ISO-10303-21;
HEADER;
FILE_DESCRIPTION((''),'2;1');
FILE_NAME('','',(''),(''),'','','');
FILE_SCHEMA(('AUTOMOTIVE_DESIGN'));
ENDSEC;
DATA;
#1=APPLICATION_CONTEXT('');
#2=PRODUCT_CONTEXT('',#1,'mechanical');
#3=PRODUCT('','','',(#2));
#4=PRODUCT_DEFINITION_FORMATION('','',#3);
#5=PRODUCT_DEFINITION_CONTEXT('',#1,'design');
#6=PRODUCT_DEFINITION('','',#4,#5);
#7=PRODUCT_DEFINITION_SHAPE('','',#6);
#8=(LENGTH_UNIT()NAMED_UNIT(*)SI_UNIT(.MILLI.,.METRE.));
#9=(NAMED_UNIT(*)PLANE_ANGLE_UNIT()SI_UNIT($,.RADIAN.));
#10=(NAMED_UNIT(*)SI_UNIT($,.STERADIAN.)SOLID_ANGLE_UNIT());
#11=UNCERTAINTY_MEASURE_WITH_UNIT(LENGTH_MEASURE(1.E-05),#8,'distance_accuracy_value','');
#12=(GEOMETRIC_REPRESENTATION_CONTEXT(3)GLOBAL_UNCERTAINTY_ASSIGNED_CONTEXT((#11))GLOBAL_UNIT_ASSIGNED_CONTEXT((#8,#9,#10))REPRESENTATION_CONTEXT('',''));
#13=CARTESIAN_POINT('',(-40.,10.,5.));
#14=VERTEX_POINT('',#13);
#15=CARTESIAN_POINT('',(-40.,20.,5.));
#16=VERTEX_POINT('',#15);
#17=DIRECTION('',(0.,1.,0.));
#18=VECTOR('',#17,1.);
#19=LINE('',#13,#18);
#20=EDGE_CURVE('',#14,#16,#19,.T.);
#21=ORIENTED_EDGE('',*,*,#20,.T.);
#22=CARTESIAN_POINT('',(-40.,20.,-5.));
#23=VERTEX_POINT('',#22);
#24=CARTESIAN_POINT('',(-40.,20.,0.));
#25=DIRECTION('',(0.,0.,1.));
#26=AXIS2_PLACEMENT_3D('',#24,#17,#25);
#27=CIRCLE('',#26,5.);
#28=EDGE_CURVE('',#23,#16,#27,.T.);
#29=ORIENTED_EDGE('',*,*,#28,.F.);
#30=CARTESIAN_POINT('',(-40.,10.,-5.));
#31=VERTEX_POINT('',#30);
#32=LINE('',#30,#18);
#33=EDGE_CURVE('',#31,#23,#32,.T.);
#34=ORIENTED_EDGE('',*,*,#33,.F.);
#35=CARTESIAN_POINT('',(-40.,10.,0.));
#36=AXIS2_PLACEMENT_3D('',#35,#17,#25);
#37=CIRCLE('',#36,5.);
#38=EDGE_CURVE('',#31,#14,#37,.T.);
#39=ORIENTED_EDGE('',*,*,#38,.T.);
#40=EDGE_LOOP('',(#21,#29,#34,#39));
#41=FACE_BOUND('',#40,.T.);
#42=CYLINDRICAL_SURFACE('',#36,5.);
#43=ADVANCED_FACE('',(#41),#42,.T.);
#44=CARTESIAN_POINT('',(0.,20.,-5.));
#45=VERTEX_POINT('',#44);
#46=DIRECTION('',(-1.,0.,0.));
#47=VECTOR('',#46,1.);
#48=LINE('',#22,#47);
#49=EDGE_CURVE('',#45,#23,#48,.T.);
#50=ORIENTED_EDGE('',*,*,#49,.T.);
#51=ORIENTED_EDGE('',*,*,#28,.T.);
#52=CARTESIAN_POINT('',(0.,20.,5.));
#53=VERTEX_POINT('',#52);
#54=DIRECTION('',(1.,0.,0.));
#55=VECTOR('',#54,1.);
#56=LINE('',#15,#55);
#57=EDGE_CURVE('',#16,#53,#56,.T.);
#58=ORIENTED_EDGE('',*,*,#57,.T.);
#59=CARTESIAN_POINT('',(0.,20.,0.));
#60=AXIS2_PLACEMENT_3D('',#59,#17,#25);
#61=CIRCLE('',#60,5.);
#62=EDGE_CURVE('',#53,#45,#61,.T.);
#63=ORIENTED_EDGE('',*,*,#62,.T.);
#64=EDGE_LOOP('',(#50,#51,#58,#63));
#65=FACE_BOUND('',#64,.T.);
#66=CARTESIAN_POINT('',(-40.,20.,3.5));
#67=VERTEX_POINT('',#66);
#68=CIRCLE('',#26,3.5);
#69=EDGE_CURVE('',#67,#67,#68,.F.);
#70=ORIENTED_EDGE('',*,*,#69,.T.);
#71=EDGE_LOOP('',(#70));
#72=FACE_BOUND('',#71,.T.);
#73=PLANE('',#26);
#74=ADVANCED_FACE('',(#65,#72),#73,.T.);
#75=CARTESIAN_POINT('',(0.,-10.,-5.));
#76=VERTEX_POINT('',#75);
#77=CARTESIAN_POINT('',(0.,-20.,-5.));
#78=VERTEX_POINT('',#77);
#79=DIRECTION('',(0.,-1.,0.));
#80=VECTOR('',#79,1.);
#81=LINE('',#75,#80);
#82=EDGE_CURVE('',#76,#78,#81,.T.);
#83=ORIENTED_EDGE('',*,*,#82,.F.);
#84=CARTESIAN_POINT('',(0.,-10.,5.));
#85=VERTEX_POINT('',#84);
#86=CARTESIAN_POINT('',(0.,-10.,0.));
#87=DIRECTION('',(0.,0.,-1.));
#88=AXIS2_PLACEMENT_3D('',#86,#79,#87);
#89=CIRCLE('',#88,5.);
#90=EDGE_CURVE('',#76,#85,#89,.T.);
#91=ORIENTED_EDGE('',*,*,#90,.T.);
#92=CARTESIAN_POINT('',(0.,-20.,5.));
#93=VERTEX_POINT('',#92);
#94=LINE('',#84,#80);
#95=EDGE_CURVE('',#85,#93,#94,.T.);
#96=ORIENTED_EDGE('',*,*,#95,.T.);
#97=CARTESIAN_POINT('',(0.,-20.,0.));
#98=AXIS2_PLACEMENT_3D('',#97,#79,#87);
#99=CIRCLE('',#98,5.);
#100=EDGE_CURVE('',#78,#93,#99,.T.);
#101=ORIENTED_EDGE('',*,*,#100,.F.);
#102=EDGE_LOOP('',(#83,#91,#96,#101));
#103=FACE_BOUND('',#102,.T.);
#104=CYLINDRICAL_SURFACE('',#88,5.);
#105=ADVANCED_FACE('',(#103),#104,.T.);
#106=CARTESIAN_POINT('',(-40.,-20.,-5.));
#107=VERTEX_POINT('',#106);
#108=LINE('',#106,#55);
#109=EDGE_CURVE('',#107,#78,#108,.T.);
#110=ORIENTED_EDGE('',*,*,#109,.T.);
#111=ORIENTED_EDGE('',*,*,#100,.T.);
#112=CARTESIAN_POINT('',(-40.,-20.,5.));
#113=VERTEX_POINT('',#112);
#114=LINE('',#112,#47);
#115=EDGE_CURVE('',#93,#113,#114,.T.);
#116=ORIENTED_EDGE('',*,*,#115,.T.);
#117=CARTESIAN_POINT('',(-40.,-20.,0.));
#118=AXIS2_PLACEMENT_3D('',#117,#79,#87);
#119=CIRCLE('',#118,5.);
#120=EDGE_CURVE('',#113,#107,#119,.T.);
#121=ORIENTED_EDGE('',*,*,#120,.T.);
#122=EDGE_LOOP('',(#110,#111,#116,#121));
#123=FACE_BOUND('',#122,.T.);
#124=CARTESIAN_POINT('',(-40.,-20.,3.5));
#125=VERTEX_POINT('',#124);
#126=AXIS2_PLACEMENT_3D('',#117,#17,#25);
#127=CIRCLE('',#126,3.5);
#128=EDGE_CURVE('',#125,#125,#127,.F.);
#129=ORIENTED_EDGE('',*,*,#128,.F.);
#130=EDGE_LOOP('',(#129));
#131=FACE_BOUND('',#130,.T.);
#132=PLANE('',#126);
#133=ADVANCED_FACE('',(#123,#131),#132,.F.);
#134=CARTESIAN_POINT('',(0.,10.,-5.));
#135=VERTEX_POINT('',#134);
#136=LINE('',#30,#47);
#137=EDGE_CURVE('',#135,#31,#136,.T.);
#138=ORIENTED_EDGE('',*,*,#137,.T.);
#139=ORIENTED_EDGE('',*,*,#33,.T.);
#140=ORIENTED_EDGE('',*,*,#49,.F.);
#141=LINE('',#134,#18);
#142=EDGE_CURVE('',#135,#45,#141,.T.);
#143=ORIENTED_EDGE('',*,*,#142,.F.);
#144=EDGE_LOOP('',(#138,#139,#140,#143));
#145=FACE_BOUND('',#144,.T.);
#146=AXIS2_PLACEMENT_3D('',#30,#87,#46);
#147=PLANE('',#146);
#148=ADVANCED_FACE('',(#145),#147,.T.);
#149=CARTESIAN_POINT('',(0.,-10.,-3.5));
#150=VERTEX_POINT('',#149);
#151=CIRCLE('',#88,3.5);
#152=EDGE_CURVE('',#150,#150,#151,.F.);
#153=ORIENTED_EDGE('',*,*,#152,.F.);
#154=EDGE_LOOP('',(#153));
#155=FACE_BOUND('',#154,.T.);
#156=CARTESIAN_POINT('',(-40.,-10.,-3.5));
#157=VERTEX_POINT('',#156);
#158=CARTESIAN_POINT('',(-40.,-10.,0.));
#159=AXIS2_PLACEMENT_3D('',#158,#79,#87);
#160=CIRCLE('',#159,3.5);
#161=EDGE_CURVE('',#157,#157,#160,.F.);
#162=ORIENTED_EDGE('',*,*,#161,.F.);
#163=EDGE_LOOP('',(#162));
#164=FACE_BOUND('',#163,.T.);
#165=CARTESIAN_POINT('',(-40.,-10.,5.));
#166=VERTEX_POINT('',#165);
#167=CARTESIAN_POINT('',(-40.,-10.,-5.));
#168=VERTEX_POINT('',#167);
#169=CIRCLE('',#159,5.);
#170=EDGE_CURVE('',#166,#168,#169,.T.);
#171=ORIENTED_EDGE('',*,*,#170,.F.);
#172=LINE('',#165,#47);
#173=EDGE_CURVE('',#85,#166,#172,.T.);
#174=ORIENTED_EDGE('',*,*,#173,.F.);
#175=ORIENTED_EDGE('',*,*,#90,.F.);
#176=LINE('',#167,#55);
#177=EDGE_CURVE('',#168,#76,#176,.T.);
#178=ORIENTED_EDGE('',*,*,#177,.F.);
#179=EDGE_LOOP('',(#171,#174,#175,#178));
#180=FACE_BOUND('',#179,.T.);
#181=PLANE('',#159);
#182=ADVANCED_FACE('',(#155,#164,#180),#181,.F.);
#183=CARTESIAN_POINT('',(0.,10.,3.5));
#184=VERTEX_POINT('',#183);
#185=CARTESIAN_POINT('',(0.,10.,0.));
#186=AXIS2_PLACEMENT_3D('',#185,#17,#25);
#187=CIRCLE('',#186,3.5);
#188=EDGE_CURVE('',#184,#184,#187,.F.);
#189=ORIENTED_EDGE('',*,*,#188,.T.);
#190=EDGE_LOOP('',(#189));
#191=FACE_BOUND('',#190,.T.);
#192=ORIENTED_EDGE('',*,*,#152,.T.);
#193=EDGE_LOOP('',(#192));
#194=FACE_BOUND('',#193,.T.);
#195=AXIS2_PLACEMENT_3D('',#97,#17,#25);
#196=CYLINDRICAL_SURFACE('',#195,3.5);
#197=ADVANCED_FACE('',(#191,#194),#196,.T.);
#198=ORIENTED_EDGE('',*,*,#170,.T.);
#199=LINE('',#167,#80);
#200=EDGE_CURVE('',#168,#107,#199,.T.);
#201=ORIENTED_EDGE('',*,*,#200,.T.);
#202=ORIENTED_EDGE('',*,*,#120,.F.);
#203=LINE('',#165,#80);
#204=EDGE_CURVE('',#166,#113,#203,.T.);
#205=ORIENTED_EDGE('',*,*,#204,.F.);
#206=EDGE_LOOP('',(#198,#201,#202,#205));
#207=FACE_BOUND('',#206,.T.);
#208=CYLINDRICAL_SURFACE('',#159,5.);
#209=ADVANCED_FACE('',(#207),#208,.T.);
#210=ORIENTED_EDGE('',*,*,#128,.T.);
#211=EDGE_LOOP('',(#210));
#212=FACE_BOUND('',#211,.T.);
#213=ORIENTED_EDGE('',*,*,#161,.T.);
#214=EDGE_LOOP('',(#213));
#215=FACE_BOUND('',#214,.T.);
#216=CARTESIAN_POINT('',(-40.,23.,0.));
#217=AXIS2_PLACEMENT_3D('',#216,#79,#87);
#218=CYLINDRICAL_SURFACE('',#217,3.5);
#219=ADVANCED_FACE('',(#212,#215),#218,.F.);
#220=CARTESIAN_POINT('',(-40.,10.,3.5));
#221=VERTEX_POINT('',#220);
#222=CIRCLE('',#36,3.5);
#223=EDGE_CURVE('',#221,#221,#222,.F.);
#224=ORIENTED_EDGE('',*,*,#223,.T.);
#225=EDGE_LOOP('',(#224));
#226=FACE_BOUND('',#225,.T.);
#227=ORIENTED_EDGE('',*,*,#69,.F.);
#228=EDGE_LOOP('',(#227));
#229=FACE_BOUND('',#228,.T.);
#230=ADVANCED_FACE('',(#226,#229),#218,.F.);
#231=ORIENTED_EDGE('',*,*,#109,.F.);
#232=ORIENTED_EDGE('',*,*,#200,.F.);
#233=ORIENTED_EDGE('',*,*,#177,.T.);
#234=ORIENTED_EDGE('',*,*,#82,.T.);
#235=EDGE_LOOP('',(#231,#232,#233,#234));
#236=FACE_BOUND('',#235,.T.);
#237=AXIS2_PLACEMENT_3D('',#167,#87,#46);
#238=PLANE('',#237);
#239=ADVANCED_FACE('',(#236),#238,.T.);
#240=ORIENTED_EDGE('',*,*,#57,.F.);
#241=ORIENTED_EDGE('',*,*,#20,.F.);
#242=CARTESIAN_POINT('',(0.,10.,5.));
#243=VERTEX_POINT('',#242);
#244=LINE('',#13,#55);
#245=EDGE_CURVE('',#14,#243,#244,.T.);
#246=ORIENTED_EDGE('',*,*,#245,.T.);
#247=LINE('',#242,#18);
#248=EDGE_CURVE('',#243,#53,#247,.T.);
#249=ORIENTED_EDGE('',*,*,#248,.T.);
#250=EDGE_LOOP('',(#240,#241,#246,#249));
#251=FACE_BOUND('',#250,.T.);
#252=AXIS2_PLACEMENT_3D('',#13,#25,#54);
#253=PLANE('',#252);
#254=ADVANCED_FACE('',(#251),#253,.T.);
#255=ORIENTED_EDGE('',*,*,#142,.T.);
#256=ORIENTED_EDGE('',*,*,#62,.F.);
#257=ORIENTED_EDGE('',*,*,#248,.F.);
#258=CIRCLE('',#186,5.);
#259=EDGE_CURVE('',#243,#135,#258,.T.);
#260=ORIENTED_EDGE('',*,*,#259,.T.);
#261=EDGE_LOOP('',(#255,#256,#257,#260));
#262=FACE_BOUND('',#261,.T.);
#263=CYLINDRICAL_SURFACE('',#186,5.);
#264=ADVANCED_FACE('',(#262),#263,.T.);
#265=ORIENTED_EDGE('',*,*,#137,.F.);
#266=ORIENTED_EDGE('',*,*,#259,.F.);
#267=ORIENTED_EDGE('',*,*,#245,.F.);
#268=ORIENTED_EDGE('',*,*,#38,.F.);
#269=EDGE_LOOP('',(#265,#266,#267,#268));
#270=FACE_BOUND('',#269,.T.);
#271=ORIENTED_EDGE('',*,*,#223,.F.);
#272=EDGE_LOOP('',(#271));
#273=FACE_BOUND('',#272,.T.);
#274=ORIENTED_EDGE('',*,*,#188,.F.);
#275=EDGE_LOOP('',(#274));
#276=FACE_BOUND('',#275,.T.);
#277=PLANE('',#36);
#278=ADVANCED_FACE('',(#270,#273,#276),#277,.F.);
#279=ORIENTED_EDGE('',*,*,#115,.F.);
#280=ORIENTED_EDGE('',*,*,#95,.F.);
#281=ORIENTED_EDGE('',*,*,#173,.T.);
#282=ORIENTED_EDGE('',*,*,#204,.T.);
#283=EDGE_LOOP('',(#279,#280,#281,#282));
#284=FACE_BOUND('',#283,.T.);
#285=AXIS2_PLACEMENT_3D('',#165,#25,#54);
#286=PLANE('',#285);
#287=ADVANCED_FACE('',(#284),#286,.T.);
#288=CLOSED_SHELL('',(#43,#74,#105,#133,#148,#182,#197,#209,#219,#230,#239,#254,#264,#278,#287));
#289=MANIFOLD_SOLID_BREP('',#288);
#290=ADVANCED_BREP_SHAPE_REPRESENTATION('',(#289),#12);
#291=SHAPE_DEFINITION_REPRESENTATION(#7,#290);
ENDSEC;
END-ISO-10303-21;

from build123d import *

# Parameters (mm, degrees)
BOSS_EXTRUDE1_DEPTH      = 20
BOSS_EXTRUDE1_DEPTH_BACK = 20
SKETCH1_R                = 3.5
BOSS_EXTRUDE2_DEPTH      = 10
BOSS_EXTRUDE3_START      = -10
BOSS_EXTRUDE3_DEPTH      = 10
CUT_EXTRUDE1_DEPTH       = 21
CUT_EXTRUDE1_DEPTH_BACK  = 22
SKETCH4_R                = 3.5
BOSS_EXTRUDE4_DEPTH      = 20
BOSS_EXTRUDE4_DEPTH_BACK = 20
SKETCH5_R                = 3.5
CUT_EXTRUDE2_DEPTH       = 23
CUT_EXTRUDE2_DEPTH_BACK  = 23
SKETCH6_R                = 3.5


with BuildPart() as part:
    # Sketch1 → Boss-Extrude1 (new, two sides: drawn at the far end of the back side and taken through both)
    with BuildSketch(Plane(origin=(0, 0, 0), x_dir=(1, 0, 0), z_dir=(0, 1, 0)).offset(-BOSS_EXTRUDE1_DEPTH_BACK)):
        with Locations((-40, 0)):
            Circle(SKETCH1_R)
    extrude(amount=BOSS_EXTRUDE1_DEPTH + BOSS_EXTRUDE1_DEPTH_BACK)

    # Sketch2 → Boss-Extrude2 (add)
    with BuildSketch(Plane(origin=(0, 20, 0), x_dir=(1, 0, 0), z_dir=(0, 1, 0))):
        with BuildLine():
            Line((-40, 5), (0, 5))
            ThreePointArc((0, 5), (5, 0), (0, -5))
            Line((0, -5), (-40, -5))
            ThreePointArc((-40, -5), (-45, 0), (-40, 5))
        make_face()
    extrude(amount=-BOSS_EXTRUDE2_DEPTH)

    # Sketch3 → Boss-Extrude3 (add)
    with BuildSketch(Plane.XZ.offset(20).offset(BOSS_EXTRUDE3_START)):
        with BuildLine():
            Line((-40, 5), (0, 5))
            ThreePointArc((0, 5), (5, 0), (0, -5))
            Line((0, -5), (-40, -5))
            ThreePointArc((-40, -5), (-45, 0), (-40, 5))
        make_face()
    extrude(amount=BOSS_EXTRUDE3_DEPTH)

    # Sketch4 → Cut-Extrude1 (cut, two sides: drawn at the far end of the back side and taken through both)
    with BuildSketch(Plane(origin=(0, 0, 0), x_dir=(1, 0, 0), z_dir=(0, 1, 0)).offset(-CUT_EXTRUDE1_DEPTH_BACK)):
        Circle(SKETCH4_R)
    extrude(amount=CUT_EXTRUDE1_DEPTH + CUT_EXTRUDE1_DEPTH_BACK, mode=Mode.SUBTRACT)

    # Sketch5 → Boss-Extrude4 (add, two sides: drawn at the far end of the back side and taken through both)
    with BuildSketch(Plane(origin=(0, 0, 0), x_dir=(1, 0, 0), z_dir=(0, 1, 0)).offset(-BOSS_EXTRUDE4_DEPTH_BACK)):
        Circle(SKETCH5_R)
    extrude(amount=BOSS_EXTRUDE4_DEPTH + BOSS_EXTRUDE4_DEPTH_BACK)

    # Sketch6 → Cut-Extrude2 (cut, two sides: drawn at the far end of the back side and taken through both)
    with BuildSketch(Plane(origin=(0, 0, 0), x_dir=(1, 0, 0), z_dir=(0, 1, 0)).offset(-CUT_EXTRUDE2_DEPTH_BACK)):
        with Locations((-40, 0)):
            Circle(SKETCH6_R)
    extrude(amount=CUT_EXTRUDE2_DEPTH + CUT_EXTRUDE2_DEPTH_BACK, mode=Mode.SUBTRACT)


solid = part.part
